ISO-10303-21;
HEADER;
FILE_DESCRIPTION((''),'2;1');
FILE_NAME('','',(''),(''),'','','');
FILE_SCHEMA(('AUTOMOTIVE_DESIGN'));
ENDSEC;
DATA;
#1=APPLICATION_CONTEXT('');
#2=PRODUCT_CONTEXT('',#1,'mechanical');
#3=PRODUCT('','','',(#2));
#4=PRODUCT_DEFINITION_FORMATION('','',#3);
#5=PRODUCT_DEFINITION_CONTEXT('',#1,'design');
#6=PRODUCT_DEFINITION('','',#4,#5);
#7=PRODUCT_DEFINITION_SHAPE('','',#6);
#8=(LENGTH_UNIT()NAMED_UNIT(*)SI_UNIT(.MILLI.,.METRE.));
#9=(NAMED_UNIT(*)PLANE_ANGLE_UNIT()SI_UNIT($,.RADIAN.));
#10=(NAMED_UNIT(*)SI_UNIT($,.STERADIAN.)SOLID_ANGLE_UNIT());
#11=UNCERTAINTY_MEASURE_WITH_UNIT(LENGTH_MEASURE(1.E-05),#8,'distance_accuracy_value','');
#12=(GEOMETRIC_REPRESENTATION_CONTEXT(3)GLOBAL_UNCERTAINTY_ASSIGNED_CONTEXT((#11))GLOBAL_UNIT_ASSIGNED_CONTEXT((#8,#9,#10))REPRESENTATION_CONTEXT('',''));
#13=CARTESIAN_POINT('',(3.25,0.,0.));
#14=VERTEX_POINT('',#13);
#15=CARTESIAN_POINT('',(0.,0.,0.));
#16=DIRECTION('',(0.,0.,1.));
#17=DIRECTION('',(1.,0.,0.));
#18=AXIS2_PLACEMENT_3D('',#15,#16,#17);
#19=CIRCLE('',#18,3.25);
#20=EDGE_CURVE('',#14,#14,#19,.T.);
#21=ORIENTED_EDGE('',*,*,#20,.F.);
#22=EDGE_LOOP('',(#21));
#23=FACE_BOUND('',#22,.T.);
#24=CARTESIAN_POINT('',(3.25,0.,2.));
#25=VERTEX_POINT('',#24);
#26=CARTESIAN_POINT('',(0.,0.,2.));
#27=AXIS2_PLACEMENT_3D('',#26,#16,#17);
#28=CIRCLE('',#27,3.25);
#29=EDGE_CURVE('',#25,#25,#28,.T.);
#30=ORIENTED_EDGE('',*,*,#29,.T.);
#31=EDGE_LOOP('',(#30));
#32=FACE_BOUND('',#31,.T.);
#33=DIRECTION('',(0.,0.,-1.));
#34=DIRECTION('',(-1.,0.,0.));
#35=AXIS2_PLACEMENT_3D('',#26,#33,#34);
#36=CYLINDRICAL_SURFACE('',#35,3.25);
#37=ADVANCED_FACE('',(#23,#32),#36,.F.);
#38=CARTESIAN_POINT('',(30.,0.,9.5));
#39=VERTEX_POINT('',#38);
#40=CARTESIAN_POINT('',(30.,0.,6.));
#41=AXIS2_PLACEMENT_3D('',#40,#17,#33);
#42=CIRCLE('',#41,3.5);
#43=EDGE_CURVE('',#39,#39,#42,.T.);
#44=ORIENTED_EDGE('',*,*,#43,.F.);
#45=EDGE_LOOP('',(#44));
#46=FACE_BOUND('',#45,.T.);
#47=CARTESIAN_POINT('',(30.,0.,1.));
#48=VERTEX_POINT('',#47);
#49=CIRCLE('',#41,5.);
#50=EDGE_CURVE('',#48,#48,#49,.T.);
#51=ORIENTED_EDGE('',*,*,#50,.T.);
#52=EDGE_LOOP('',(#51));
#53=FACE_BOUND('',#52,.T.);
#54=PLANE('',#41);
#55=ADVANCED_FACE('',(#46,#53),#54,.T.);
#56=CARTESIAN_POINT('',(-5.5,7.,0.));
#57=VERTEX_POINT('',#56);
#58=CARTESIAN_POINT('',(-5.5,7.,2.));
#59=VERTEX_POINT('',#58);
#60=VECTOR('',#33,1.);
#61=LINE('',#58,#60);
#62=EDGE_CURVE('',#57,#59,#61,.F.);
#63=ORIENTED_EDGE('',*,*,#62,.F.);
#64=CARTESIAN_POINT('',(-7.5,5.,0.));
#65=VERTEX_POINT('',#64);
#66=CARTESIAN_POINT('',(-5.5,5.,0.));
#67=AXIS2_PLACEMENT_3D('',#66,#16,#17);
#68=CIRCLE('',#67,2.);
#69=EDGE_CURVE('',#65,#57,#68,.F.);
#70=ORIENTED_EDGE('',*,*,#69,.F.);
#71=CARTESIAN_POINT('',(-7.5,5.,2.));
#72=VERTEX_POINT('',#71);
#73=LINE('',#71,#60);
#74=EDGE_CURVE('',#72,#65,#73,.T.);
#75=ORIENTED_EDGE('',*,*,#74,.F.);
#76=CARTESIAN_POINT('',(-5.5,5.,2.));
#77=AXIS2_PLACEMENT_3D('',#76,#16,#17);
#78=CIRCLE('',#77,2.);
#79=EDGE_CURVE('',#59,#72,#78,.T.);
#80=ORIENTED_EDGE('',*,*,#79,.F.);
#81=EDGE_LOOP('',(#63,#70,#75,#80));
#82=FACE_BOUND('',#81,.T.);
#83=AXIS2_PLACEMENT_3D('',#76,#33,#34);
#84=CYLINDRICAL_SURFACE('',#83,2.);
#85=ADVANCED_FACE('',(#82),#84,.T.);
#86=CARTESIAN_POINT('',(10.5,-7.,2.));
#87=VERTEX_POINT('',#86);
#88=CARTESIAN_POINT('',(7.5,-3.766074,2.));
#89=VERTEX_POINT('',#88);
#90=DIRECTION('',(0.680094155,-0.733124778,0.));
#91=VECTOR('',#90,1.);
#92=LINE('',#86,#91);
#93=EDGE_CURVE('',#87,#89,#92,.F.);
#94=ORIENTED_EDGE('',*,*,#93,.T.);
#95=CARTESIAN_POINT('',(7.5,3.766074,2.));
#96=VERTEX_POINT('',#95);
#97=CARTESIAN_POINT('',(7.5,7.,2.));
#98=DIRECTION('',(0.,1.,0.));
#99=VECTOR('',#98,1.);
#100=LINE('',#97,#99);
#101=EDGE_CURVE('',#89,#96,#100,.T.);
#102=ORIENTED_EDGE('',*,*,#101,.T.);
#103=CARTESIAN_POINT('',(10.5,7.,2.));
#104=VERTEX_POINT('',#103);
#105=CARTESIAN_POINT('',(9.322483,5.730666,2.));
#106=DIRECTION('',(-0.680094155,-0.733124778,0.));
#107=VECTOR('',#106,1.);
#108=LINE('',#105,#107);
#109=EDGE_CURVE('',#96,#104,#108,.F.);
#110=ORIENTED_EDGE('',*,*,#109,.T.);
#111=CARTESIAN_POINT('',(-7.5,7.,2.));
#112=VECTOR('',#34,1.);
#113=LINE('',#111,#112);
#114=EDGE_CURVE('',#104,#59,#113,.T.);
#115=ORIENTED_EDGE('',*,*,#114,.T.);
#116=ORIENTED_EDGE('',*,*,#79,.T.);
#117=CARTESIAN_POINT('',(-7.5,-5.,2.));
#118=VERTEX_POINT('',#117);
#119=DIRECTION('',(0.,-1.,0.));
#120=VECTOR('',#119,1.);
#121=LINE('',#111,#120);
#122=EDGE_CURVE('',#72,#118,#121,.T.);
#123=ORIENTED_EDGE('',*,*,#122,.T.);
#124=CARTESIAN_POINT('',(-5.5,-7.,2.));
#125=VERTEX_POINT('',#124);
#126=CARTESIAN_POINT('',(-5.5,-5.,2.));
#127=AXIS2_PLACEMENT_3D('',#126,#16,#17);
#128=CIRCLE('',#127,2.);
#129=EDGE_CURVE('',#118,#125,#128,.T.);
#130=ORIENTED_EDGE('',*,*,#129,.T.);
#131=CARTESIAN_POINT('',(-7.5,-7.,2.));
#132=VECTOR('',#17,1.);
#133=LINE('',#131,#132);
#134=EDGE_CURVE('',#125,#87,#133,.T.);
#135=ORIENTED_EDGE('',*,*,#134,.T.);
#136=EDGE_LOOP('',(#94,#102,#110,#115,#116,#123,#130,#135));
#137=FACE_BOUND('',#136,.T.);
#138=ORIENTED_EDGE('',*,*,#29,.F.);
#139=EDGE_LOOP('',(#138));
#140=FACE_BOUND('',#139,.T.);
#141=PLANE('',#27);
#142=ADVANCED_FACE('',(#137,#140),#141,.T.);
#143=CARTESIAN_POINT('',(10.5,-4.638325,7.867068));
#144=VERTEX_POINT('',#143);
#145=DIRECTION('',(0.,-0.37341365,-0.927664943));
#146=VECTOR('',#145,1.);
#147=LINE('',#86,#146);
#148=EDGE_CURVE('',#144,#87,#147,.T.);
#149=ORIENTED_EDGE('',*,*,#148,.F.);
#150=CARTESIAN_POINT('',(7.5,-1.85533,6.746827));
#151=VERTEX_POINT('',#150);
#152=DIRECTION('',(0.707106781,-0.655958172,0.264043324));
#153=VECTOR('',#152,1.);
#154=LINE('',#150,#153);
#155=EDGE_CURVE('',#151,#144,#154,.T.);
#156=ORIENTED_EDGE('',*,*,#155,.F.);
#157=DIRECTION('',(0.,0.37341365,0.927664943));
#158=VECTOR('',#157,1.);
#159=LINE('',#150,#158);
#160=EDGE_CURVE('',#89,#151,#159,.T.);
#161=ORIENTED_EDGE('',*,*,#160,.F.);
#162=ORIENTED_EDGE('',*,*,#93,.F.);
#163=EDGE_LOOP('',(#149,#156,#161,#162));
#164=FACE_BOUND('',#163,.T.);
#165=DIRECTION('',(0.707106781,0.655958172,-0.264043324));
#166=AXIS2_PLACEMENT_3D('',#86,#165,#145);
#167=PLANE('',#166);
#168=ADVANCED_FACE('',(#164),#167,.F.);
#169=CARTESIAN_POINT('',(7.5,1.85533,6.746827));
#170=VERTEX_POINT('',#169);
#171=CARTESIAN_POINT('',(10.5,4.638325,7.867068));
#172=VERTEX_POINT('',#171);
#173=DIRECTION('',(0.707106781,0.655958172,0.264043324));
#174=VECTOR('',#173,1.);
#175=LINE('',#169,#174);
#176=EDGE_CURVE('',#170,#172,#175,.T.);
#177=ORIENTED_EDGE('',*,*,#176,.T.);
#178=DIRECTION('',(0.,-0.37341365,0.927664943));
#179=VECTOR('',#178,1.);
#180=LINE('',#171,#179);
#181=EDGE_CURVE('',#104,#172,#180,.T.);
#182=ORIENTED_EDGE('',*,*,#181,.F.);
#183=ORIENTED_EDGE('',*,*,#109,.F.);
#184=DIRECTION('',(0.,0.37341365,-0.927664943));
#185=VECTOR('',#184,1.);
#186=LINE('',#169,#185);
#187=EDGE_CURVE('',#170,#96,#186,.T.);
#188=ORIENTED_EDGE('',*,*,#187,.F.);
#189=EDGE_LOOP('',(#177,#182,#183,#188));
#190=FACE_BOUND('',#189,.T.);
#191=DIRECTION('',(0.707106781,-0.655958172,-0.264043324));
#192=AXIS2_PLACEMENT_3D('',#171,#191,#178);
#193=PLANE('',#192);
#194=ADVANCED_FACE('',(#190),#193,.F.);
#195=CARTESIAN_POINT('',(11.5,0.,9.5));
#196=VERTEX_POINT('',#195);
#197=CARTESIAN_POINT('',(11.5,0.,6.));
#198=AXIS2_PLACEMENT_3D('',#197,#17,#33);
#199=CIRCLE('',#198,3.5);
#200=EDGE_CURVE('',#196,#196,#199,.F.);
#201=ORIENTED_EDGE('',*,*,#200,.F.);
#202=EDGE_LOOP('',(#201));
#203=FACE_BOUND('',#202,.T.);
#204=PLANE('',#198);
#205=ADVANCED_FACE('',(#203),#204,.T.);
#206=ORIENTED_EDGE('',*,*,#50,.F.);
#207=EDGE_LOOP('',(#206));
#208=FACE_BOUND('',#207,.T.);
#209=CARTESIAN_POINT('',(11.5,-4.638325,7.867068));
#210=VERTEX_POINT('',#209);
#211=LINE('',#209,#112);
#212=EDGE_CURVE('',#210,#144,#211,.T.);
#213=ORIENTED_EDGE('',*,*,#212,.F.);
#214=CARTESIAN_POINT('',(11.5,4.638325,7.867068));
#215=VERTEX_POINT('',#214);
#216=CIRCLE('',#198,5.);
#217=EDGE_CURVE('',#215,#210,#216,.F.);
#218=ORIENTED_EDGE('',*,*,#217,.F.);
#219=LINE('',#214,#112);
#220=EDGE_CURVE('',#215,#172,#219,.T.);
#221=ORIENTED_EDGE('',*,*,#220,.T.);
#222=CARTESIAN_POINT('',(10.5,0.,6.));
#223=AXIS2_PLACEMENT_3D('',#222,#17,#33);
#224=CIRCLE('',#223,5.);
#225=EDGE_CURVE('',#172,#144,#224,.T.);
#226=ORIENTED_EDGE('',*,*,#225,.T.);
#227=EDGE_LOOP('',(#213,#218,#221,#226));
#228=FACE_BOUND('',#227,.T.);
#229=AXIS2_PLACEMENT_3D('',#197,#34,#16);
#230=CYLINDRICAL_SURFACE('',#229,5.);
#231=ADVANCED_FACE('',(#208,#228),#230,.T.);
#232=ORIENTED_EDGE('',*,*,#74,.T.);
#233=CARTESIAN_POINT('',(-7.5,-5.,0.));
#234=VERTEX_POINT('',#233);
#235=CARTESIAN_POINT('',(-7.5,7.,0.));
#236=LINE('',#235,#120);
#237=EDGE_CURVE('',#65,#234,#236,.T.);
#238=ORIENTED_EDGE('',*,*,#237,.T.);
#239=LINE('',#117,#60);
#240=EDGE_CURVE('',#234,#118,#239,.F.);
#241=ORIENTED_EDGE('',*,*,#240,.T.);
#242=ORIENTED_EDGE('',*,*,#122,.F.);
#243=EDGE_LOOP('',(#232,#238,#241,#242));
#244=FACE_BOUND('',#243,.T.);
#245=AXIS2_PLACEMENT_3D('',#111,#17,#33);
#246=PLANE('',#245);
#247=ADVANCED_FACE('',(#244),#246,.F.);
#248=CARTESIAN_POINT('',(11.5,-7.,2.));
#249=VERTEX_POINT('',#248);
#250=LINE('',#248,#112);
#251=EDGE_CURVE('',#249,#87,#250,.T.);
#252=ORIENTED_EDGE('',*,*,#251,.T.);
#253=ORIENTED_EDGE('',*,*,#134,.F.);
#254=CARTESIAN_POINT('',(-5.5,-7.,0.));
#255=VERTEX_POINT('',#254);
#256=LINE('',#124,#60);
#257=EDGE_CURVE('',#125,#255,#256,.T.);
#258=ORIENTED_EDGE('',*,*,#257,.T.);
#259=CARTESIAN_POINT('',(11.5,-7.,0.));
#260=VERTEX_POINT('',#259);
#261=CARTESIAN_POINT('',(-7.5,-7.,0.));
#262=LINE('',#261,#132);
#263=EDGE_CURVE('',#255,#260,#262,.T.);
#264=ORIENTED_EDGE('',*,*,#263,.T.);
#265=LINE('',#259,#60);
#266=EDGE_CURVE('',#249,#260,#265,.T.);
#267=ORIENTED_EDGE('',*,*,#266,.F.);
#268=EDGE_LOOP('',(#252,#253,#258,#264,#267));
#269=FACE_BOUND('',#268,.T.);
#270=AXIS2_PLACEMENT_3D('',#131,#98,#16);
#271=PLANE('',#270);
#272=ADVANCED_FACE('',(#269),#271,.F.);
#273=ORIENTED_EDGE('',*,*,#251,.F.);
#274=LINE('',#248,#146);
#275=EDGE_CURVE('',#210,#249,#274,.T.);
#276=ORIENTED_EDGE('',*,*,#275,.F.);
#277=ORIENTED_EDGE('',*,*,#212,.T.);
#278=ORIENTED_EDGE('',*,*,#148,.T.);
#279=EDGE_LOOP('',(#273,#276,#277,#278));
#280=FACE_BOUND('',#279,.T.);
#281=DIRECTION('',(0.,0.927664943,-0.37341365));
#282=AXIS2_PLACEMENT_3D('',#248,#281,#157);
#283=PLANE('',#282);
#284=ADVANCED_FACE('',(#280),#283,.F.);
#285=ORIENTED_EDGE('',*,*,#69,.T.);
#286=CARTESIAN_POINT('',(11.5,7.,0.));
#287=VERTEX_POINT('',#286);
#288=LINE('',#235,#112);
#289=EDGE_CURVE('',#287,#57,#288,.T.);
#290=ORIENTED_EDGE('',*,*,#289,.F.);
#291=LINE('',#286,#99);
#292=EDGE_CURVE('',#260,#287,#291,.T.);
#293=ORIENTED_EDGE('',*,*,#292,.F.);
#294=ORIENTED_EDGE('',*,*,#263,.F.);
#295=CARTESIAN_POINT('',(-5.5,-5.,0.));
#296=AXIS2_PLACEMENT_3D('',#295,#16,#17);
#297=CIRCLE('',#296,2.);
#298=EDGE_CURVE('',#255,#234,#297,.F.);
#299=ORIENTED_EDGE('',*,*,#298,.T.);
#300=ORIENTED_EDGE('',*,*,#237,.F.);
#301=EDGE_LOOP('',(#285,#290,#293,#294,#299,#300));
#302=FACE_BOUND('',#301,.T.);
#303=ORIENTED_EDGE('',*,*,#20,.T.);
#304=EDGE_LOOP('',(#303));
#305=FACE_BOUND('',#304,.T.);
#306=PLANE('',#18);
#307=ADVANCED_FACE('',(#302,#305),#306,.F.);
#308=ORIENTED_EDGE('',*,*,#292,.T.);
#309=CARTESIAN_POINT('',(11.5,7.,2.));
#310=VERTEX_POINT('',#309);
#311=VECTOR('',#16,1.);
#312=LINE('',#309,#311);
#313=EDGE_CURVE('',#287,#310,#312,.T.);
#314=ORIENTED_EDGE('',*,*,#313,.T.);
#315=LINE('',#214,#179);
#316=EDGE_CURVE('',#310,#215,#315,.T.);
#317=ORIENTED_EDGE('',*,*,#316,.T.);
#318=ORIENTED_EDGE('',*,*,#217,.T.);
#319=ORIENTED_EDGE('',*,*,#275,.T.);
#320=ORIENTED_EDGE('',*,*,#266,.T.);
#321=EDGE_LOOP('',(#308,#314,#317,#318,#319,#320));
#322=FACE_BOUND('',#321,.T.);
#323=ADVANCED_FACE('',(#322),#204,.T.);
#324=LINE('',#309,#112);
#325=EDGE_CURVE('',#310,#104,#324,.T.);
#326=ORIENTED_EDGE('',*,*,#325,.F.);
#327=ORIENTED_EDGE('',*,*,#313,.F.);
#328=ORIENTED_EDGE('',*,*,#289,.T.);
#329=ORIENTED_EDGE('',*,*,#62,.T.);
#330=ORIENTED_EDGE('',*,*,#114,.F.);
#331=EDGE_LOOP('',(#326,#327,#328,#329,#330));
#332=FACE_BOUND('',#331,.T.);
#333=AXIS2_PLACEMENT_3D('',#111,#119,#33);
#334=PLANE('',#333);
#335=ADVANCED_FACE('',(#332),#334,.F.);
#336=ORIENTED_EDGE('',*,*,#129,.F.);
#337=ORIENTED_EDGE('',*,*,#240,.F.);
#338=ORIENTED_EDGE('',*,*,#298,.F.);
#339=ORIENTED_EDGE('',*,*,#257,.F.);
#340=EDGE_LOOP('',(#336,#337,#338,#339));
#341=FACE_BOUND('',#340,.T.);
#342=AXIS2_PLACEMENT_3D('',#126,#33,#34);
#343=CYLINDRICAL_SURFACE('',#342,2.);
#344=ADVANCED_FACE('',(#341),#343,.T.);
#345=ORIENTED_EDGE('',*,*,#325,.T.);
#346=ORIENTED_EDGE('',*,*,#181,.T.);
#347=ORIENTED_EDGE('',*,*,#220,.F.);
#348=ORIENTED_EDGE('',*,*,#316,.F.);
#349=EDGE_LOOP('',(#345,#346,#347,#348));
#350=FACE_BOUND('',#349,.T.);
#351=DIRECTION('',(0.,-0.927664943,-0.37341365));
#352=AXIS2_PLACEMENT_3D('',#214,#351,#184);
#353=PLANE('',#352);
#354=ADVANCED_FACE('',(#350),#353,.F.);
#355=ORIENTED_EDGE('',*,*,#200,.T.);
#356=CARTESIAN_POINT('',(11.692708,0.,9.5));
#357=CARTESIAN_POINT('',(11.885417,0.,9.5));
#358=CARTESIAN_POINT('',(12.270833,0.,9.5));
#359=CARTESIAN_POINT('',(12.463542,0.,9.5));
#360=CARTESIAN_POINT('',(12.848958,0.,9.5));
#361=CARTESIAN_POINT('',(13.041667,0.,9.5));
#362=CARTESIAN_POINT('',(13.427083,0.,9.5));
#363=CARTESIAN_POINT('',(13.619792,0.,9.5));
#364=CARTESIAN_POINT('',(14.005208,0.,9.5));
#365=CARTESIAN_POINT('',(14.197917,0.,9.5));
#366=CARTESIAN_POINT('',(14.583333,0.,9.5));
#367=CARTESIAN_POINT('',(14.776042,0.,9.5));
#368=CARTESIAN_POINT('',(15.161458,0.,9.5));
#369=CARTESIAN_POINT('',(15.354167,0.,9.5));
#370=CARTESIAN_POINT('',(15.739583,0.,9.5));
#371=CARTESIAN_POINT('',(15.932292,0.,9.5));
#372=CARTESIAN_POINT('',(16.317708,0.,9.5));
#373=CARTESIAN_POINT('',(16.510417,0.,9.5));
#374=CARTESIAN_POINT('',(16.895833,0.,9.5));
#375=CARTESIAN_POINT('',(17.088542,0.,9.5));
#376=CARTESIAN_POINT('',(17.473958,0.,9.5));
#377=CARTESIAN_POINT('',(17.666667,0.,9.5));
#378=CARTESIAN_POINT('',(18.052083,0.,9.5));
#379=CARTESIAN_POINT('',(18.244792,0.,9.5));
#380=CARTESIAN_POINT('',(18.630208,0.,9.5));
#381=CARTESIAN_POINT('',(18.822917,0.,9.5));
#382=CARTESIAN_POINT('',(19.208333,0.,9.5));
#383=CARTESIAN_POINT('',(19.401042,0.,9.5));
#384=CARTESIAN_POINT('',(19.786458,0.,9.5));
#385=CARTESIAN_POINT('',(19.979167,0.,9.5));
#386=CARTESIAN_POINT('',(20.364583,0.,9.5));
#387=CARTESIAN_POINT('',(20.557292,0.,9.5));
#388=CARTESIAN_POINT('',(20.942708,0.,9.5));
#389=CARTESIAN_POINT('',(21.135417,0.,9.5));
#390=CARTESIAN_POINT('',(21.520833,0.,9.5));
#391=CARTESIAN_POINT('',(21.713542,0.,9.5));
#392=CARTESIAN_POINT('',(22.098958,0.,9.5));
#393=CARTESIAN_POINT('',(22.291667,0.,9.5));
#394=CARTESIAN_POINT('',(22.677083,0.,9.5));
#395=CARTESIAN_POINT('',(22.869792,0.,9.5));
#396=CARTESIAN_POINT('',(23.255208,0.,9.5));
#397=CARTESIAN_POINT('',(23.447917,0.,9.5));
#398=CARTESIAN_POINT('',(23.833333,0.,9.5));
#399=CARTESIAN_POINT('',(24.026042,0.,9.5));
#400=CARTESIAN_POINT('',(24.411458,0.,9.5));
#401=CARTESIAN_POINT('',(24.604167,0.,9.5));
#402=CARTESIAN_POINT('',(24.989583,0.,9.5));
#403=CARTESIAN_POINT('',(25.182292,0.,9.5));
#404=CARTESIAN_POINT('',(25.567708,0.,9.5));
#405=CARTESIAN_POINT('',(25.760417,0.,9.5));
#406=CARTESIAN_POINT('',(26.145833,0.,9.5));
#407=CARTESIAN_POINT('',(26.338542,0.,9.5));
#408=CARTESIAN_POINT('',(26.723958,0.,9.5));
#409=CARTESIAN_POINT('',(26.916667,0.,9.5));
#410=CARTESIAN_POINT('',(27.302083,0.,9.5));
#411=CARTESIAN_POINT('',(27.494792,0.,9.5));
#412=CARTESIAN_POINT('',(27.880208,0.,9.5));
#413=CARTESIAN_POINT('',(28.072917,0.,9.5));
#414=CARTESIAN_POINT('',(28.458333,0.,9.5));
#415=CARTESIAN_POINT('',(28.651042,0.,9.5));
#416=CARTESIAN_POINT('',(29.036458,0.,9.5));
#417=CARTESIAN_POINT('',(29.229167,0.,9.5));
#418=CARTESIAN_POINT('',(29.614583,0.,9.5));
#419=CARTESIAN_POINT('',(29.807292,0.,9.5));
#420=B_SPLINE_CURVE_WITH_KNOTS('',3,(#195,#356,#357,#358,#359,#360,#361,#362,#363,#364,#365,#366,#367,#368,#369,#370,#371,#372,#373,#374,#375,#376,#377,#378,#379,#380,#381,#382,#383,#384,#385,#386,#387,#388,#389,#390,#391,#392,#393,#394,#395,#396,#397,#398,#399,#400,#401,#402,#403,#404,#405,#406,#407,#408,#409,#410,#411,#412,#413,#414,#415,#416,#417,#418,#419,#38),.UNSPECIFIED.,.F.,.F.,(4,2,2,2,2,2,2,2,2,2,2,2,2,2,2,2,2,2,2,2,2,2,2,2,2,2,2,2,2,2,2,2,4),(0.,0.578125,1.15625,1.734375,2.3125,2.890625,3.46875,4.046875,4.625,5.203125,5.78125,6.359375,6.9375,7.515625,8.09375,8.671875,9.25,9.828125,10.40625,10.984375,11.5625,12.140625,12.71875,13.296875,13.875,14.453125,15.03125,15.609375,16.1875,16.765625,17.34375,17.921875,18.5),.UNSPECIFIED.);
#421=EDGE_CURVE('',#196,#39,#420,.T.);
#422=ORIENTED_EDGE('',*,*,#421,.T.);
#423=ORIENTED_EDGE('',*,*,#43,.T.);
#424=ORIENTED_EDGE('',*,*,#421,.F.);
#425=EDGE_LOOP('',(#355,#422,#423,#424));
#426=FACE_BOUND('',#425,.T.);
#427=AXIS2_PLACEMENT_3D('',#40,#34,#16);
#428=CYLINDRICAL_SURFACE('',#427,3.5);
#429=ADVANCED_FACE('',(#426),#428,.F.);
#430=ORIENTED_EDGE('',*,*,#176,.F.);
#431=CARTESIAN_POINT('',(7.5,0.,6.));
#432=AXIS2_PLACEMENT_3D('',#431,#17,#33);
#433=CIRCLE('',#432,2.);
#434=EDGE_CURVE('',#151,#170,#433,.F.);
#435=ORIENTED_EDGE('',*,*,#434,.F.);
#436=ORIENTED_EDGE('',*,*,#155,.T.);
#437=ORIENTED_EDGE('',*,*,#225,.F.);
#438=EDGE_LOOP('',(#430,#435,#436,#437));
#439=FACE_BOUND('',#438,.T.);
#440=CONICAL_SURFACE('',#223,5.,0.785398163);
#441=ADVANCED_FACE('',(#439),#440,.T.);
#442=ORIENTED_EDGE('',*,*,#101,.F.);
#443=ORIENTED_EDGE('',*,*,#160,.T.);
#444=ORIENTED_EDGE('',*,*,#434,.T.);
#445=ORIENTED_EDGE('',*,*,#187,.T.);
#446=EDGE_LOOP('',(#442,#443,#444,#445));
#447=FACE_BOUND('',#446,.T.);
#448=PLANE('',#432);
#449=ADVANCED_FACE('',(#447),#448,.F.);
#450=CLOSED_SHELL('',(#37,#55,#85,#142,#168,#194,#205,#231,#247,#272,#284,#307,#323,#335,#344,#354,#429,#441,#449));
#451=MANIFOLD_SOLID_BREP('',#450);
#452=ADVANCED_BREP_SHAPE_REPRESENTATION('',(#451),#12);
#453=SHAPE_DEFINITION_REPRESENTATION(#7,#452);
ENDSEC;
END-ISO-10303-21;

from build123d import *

# Parameters (mm, degrees)
SKETCH1_W           = 15
SKETCH1_H           = 14
SKETCH1_R           = 3.25
BOSS_EXTRUDE1_DEPTH = 2
SKETCH2_R           = 5
SKETCH2_R_2         = 3.5
BOSS_EXTRUDE2_DEPTH = 22.5
BOSS_EXTRUDE3_DEPTH = 4
CHAMFER1_SIZE       = 3
FILLET1_R           = 2


with BuildPart() as part:
    # Sketch1 → Boss-Extrude1 (new body)
    with BuildSketch(Plane.XY):
        Rectangle(SKETCH1_W, SKETCH1_H)
        Circle(SKETCH1_R, mode=Mode.SUBTRACT)
    extrude(amount=BOSS_EXTRUDE1_DEPTH)



with BuildPart() as body_2:
    # Sketch2 → Boss-Extrude2 (new body)
    with BuildSketch(Plane(origin=(7.5, 0, 0), x_dir=(0, 0, -1), z_dir=(1, 0, 0))):
        with Locations(Location((-6, 0, 0), (0, 0, 180))):
            Circle(SKETCH2_R)
        with Locations(Location((-6, 0, 0), (0, 0, 180))):
            Circle(SKETCH2_R_2, mode=Mode.SUBTRACT)
    extrude(amount=BOSS_EXTRUDE2_DEPTH)


with BuildPart() as part_1:
    add(part.part)

    add(body_2.part)  # Boss-Extrude3 merges body 2
    # Sketch3 → Boss-Extrude3 (add)
    with BuildSketch(Plane(origin=(7.5, 0, 0), x_dir=(0, 0, -1), z_dir=(1, 0, 0))):
        with BuildLine():
            Line((-7.867068249, 4.638324714), (-2, 7))
            Line((-2, 7), (0, 7))
            Line((0, 7), (0, -7))
            Line((0, -7), (-2, -7))
            Line((-2, -7), (-7.867068249, -4.638324714))
            ThreePointArc((-7.867068249, -4.638324714), (-11, 0), (-7.867068249, 4.638324714))
        make_face()
    extrude(amount=BOSS_EXTRUDE3_DEPTH)

    # Chamfer1
    chamfer1_edges = [part_1.edges().sort_by_distance(p)[0] for p in [
        (7.5, -2.798629911, 10.143388785),
        (7.5, -5.819162357, 4.933534125),
        (7.5, 5.819162357, 4.933534125),
    ]]
    chamfer(chamfer1_edges, length=CHAMFER1_SIZE)

    # Fillet1
    fillet1_edges = [part_1.edges().sort_by_distance(p)[0] for p in [
        (-7.5, 7, 1),
        (-7.5, -7, 1),
    ]]
    fillet(fillet1_edges, radius=FILLET1_R)


solid = part_1.part
